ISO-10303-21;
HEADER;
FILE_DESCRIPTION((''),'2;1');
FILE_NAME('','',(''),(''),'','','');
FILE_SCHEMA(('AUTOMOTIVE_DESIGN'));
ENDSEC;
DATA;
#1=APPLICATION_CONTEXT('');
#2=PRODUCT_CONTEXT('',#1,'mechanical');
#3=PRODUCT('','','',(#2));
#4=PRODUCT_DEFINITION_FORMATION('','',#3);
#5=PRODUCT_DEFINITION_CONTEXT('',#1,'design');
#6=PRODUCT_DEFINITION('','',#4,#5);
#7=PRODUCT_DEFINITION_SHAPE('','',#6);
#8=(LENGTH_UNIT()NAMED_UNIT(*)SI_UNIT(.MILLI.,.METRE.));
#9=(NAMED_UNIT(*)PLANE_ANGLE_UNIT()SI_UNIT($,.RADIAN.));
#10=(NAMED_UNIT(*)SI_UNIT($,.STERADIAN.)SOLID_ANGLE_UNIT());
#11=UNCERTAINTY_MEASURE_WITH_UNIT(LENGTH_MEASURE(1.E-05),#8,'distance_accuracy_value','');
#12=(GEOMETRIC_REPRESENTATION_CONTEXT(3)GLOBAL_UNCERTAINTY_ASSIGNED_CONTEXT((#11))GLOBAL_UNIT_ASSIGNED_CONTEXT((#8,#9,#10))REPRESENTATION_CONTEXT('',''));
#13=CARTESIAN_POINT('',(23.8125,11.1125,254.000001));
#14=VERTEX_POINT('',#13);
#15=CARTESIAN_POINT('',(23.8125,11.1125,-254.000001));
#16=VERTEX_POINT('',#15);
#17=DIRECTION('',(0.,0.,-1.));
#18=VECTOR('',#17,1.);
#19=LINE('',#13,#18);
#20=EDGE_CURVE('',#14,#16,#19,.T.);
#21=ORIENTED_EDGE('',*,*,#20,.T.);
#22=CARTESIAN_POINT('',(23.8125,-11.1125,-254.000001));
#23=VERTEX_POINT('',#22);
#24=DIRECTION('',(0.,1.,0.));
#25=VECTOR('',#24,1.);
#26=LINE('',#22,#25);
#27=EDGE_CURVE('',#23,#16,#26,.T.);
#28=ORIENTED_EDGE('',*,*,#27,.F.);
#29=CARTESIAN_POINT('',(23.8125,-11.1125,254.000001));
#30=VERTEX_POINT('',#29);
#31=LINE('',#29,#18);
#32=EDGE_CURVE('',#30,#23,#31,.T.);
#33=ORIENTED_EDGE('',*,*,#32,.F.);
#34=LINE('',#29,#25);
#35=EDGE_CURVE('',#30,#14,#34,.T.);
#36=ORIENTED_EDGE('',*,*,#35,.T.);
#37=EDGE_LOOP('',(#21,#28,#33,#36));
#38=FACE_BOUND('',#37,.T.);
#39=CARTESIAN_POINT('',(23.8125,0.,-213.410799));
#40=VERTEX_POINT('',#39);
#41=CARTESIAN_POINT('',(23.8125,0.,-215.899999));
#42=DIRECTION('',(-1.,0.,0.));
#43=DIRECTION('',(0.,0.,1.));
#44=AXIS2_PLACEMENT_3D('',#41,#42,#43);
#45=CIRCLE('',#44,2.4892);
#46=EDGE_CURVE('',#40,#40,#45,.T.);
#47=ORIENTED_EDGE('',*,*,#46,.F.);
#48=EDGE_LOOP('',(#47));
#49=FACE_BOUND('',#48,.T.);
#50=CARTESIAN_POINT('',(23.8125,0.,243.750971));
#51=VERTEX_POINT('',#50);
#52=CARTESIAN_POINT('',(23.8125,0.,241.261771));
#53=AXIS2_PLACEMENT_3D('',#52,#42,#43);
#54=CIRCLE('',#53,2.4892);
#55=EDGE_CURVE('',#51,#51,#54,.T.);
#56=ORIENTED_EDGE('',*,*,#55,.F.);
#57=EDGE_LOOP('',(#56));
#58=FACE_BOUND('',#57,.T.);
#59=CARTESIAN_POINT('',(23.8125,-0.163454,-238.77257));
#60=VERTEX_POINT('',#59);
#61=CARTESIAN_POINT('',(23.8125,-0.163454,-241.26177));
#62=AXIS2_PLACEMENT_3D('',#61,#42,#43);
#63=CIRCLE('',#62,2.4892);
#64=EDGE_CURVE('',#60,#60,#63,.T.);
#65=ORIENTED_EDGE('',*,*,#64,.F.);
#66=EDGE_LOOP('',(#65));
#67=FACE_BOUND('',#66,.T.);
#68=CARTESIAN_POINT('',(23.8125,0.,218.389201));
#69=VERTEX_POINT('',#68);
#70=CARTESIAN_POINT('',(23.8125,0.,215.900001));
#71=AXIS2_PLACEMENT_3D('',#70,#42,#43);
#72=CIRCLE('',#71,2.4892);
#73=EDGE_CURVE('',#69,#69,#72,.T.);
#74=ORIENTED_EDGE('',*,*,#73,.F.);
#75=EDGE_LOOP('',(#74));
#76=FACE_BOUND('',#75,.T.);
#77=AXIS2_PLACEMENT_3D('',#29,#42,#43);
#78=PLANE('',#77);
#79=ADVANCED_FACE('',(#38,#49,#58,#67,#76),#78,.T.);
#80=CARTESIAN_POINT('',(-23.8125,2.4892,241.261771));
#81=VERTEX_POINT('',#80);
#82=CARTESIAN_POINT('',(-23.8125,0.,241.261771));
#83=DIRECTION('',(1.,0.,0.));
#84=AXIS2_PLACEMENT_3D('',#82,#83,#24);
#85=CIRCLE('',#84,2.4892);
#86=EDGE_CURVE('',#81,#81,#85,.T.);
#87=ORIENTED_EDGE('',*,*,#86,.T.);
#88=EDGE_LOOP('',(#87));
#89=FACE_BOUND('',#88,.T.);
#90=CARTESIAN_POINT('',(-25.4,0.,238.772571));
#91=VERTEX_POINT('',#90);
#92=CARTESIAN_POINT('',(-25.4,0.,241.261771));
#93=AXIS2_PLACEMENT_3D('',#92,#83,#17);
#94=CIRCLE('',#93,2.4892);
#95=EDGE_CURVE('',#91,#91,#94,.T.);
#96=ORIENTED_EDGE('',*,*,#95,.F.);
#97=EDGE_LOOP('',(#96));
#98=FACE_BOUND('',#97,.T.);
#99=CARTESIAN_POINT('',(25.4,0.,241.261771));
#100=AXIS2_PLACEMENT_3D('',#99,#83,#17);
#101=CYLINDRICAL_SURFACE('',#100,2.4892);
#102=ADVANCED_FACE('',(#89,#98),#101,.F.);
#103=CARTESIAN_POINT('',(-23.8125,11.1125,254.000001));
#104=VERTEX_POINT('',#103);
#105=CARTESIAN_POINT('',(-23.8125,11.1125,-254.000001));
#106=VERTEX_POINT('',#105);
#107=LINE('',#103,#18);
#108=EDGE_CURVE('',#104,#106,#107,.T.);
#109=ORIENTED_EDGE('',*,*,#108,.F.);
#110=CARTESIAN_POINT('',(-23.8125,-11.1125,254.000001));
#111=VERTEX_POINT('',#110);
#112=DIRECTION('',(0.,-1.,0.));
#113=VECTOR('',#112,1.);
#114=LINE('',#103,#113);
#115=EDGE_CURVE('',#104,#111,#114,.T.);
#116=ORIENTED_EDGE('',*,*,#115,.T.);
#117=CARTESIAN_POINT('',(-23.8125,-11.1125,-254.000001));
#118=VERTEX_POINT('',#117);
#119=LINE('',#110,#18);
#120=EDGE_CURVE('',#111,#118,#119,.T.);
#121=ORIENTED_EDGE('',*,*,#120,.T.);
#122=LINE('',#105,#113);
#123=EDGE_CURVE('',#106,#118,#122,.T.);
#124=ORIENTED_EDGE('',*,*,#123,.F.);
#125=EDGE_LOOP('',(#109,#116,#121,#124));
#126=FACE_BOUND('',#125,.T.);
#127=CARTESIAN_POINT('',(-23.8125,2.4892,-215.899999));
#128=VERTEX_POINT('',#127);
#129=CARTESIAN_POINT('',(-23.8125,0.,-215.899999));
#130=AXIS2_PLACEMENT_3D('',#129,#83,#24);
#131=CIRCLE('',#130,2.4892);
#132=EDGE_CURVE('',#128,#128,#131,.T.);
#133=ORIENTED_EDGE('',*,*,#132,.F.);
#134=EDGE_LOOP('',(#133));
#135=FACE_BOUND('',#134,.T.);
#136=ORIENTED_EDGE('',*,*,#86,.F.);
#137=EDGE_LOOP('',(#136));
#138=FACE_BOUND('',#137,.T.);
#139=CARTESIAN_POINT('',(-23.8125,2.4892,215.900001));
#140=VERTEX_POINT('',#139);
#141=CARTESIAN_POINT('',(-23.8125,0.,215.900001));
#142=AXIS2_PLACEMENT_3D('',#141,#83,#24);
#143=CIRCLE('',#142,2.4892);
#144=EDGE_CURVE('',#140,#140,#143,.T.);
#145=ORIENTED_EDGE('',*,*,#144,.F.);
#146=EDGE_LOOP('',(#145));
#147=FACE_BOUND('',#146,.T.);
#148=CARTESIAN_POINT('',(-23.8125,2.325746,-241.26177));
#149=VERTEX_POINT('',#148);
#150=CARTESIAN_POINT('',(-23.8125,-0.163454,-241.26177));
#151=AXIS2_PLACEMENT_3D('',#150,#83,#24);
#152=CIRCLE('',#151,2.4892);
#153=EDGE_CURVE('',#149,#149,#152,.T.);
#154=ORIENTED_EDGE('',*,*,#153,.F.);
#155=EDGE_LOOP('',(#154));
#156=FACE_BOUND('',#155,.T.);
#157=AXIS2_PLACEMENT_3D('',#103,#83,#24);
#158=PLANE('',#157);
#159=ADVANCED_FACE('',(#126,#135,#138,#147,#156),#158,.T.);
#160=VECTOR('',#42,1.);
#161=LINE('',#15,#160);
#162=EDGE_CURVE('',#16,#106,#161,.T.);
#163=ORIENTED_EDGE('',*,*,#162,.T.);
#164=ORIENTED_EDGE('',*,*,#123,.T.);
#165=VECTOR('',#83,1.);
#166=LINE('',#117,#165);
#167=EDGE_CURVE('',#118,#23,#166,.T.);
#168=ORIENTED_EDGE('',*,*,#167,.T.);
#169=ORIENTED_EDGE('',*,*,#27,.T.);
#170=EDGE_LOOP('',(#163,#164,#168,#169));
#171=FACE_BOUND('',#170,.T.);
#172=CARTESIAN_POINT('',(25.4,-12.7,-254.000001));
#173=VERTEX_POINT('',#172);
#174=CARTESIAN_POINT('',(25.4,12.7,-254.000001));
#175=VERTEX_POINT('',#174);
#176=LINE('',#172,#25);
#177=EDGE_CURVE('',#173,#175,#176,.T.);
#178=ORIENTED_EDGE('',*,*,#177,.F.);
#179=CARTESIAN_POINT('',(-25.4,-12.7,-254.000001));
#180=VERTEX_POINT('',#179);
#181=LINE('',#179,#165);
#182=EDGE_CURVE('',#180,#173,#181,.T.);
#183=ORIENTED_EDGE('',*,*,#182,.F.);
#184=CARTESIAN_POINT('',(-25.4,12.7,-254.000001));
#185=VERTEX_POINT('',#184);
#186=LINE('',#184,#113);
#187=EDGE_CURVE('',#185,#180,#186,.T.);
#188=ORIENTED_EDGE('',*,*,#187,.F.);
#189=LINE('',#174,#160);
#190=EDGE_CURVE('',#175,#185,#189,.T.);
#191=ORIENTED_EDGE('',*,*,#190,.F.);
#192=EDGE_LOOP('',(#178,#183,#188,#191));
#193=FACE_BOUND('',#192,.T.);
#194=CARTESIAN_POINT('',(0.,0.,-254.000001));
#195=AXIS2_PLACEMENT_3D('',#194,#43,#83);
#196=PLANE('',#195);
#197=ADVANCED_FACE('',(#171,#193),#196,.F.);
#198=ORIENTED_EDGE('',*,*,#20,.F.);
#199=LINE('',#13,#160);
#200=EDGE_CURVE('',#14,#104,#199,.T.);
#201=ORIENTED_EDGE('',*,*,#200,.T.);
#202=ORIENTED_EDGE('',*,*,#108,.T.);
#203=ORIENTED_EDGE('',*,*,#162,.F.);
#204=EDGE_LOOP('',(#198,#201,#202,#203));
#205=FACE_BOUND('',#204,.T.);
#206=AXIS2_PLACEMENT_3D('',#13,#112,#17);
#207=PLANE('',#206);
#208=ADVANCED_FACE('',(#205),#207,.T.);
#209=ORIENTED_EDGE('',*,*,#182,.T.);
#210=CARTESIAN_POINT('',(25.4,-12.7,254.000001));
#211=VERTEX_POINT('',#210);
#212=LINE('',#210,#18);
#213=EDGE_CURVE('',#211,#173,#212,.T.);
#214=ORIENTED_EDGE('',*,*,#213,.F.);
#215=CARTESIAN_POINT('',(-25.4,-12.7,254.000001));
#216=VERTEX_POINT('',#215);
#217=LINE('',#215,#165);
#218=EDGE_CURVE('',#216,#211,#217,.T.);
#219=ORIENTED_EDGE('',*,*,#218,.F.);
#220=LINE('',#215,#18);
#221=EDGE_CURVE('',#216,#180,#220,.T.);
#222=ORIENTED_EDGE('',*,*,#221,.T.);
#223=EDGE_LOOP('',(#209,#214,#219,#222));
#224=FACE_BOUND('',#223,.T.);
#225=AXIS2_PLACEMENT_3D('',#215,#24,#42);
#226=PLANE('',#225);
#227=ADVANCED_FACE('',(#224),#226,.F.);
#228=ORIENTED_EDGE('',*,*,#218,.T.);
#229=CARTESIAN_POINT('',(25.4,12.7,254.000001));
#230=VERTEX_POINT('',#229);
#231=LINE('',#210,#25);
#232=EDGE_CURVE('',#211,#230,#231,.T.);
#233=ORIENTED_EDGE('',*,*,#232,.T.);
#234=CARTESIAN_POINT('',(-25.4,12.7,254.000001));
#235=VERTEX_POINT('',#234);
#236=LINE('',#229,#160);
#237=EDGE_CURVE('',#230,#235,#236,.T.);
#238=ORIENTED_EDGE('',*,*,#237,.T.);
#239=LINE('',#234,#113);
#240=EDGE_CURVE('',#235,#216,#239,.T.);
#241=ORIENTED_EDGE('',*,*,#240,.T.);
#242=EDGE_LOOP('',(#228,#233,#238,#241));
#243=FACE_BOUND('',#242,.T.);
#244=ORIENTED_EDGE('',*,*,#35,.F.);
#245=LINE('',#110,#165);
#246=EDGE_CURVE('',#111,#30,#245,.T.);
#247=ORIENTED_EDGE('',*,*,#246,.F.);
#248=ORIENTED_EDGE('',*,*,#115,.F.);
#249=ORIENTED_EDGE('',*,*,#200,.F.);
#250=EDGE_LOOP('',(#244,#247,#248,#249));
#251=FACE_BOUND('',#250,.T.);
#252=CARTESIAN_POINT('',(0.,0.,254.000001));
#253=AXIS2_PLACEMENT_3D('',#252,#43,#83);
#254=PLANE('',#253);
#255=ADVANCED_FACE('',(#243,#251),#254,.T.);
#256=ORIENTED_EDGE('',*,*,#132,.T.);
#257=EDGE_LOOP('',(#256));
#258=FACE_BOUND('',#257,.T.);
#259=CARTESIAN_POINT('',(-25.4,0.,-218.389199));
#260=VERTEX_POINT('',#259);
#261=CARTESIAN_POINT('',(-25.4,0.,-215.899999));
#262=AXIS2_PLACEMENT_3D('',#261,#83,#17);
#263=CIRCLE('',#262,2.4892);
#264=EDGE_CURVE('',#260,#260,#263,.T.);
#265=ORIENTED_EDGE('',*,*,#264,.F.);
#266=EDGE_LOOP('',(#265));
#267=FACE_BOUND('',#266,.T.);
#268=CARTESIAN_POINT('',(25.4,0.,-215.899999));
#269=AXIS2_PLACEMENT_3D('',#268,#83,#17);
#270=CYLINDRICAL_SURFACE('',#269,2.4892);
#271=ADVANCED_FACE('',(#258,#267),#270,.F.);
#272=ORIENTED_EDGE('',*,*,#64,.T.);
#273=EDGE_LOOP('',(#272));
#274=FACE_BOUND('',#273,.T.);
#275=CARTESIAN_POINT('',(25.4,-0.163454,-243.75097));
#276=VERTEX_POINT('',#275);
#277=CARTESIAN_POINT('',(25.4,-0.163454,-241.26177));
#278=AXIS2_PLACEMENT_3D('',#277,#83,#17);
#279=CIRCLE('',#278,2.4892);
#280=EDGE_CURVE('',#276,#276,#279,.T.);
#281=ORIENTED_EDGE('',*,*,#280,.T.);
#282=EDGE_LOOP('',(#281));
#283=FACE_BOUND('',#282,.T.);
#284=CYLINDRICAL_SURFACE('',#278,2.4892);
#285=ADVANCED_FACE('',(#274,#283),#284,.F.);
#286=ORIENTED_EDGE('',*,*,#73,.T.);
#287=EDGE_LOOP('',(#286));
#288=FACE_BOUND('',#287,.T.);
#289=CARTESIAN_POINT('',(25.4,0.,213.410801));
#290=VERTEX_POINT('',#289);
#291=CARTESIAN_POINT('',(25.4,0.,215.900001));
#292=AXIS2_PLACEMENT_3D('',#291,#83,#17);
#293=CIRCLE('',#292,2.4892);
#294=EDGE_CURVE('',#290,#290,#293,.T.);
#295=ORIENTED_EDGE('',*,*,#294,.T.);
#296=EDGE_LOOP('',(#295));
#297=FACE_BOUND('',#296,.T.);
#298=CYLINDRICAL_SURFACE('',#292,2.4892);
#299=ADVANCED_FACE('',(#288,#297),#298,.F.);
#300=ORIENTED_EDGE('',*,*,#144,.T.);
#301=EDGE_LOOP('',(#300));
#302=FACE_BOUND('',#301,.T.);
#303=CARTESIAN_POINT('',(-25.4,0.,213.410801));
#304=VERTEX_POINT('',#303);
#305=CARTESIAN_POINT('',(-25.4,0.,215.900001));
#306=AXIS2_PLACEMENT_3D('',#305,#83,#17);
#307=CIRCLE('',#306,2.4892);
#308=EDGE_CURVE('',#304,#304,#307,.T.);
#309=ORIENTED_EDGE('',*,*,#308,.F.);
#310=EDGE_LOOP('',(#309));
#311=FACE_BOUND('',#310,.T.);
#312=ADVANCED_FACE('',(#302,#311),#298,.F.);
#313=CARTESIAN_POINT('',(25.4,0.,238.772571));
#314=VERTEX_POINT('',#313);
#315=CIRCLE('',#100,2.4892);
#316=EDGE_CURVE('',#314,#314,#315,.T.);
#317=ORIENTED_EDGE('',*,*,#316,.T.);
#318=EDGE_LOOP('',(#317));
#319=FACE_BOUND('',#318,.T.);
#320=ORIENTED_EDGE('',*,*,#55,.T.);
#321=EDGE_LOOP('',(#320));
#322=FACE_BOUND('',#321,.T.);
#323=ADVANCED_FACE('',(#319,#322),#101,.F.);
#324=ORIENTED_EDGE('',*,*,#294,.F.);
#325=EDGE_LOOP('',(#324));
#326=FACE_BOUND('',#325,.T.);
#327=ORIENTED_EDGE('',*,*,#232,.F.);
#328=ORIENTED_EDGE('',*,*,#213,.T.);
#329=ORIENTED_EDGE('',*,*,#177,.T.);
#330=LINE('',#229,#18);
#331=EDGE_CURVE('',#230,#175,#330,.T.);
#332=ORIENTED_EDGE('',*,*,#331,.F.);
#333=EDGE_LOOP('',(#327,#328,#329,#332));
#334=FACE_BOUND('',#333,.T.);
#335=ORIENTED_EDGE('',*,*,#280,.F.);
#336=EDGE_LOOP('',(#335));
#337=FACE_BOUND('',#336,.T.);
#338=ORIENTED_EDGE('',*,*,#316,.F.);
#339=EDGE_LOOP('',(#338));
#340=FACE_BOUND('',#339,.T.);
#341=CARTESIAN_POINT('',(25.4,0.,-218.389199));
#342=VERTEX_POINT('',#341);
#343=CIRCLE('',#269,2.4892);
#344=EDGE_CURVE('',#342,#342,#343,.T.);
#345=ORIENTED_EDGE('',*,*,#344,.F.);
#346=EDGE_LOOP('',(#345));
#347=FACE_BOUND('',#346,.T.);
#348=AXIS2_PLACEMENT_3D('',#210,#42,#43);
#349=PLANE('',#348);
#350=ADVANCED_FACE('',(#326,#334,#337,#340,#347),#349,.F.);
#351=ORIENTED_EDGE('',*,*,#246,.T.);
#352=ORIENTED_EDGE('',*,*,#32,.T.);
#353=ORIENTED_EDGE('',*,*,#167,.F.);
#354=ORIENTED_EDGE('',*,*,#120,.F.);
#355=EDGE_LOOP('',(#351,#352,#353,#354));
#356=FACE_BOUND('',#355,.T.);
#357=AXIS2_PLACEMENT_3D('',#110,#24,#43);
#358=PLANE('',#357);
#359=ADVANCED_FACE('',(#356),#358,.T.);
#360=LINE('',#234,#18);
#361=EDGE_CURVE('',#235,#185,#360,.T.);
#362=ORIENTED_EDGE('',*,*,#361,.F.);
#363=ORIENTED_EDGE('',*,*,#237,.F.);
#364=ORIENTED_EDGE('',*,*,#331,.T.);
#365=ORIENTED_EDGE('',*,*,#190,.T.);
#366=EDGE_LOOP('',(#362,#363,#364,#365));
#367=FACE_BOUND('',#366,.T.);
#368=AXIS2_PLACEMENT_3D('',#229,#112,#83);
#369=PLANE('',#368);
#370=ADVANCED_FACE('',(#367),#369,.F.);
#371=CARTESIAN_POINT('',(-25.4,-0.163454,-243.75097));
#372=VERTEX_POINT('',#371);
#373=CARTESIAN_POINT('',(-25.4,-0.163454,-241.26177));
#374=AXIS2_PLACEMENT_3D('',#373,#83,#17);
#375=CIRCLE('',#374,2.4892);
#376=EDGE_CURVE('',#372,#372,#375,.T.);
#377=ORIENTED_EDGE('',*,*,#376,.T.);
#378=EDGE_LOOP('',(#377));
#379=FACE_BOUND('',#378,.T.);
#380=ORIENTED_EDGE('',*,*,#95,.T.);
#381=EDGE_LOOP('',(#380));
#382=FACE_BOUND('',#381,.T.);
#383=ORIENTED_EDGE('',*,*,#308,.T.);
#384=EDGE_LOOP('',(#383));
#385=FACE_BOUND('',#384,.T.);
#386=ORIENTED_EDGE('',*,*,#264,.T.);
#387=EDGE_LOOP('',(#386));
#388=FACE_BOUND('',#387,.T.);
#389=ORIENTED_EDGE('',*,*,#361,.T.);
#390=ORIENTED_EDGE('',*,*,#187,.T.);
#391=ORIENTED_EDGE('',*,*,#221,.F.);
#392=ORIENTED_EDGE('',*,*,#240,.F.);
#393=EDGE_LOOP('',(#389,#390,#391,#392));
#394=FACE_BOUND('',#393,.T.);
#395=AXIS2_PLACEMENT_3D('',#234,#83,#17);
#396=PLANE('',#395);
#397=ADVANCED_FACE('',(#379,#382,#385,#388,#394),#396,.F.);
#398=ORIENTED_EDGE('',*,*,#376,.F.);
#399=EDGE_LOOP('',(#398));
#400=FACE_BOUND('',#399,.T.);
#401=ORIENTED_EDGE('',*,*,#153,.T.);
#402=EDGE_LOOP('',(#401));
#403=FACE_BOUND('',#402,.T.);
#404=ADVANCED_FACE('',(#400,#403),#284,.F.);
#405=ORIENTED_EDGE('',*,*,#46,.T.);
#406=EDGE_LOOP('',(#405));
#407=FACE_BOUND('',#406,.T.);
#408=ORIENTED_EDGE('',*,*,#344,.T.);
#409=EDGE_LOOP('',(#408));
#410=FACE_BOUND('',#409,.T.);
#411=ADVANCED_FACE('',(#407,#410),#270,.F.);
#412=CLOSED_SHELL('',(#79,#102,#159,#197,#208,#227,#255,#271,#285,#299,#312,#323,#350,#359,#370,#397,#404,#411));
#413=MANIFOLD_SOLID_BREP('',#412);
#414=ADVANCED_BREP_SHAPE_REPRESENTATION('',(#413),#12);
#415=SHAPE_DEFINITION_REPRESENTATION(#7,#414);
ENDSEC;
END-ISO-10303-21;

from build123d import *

# Parameters (mm, degrees)
BOSS_EXTRUDE1_DEPTH      = 254.000001
BOSS_EXTRUDE1_DEPTH_BACK = 254.000001
SKETCH3_W                = 50.8
SKETCH3_H                = 25.4
SKETCH3_W_2              = 47.625
SKETCH3_H_2              = 22.225
F_10_CLEARANCE_HOLE1_D   = 4.9784


with BuildPart() as part:
    # Sketch3 → Boss-Extrude1 (new, two sides: drawn at the far end of the back side and taken through both)
    with BuildSketch(Plane.XY.offset(-BOSS_EXTRUDE1_DEPTH_BACK)):
        Rectangle(SKETCH3_W, SKETCH3_H)
        Rectangle(SKETCH3_W_2, SKETCH3_H_2, mode=Mode.SUBTRACT)
    extrude(amount=BOSS_EXTRUDE1_DEPTH + BOSS_EXTRUDE1_DEPTH_BACK)

    # #10 Clearance Hole1 (through all)
    with Locations(Plane(origin=(25.4, 0, 0), x_dir=(0, 0, -1), z_dir=(1, 0, 0))):
        with Locations((-215.900000508, 0), (-241.261771093, 0), (215.899999492, 0), (241.261770077, -0.163454089)):
            Hole(F_10_CLEARANCE_HOLE1_D / 2)


solid = part.part
